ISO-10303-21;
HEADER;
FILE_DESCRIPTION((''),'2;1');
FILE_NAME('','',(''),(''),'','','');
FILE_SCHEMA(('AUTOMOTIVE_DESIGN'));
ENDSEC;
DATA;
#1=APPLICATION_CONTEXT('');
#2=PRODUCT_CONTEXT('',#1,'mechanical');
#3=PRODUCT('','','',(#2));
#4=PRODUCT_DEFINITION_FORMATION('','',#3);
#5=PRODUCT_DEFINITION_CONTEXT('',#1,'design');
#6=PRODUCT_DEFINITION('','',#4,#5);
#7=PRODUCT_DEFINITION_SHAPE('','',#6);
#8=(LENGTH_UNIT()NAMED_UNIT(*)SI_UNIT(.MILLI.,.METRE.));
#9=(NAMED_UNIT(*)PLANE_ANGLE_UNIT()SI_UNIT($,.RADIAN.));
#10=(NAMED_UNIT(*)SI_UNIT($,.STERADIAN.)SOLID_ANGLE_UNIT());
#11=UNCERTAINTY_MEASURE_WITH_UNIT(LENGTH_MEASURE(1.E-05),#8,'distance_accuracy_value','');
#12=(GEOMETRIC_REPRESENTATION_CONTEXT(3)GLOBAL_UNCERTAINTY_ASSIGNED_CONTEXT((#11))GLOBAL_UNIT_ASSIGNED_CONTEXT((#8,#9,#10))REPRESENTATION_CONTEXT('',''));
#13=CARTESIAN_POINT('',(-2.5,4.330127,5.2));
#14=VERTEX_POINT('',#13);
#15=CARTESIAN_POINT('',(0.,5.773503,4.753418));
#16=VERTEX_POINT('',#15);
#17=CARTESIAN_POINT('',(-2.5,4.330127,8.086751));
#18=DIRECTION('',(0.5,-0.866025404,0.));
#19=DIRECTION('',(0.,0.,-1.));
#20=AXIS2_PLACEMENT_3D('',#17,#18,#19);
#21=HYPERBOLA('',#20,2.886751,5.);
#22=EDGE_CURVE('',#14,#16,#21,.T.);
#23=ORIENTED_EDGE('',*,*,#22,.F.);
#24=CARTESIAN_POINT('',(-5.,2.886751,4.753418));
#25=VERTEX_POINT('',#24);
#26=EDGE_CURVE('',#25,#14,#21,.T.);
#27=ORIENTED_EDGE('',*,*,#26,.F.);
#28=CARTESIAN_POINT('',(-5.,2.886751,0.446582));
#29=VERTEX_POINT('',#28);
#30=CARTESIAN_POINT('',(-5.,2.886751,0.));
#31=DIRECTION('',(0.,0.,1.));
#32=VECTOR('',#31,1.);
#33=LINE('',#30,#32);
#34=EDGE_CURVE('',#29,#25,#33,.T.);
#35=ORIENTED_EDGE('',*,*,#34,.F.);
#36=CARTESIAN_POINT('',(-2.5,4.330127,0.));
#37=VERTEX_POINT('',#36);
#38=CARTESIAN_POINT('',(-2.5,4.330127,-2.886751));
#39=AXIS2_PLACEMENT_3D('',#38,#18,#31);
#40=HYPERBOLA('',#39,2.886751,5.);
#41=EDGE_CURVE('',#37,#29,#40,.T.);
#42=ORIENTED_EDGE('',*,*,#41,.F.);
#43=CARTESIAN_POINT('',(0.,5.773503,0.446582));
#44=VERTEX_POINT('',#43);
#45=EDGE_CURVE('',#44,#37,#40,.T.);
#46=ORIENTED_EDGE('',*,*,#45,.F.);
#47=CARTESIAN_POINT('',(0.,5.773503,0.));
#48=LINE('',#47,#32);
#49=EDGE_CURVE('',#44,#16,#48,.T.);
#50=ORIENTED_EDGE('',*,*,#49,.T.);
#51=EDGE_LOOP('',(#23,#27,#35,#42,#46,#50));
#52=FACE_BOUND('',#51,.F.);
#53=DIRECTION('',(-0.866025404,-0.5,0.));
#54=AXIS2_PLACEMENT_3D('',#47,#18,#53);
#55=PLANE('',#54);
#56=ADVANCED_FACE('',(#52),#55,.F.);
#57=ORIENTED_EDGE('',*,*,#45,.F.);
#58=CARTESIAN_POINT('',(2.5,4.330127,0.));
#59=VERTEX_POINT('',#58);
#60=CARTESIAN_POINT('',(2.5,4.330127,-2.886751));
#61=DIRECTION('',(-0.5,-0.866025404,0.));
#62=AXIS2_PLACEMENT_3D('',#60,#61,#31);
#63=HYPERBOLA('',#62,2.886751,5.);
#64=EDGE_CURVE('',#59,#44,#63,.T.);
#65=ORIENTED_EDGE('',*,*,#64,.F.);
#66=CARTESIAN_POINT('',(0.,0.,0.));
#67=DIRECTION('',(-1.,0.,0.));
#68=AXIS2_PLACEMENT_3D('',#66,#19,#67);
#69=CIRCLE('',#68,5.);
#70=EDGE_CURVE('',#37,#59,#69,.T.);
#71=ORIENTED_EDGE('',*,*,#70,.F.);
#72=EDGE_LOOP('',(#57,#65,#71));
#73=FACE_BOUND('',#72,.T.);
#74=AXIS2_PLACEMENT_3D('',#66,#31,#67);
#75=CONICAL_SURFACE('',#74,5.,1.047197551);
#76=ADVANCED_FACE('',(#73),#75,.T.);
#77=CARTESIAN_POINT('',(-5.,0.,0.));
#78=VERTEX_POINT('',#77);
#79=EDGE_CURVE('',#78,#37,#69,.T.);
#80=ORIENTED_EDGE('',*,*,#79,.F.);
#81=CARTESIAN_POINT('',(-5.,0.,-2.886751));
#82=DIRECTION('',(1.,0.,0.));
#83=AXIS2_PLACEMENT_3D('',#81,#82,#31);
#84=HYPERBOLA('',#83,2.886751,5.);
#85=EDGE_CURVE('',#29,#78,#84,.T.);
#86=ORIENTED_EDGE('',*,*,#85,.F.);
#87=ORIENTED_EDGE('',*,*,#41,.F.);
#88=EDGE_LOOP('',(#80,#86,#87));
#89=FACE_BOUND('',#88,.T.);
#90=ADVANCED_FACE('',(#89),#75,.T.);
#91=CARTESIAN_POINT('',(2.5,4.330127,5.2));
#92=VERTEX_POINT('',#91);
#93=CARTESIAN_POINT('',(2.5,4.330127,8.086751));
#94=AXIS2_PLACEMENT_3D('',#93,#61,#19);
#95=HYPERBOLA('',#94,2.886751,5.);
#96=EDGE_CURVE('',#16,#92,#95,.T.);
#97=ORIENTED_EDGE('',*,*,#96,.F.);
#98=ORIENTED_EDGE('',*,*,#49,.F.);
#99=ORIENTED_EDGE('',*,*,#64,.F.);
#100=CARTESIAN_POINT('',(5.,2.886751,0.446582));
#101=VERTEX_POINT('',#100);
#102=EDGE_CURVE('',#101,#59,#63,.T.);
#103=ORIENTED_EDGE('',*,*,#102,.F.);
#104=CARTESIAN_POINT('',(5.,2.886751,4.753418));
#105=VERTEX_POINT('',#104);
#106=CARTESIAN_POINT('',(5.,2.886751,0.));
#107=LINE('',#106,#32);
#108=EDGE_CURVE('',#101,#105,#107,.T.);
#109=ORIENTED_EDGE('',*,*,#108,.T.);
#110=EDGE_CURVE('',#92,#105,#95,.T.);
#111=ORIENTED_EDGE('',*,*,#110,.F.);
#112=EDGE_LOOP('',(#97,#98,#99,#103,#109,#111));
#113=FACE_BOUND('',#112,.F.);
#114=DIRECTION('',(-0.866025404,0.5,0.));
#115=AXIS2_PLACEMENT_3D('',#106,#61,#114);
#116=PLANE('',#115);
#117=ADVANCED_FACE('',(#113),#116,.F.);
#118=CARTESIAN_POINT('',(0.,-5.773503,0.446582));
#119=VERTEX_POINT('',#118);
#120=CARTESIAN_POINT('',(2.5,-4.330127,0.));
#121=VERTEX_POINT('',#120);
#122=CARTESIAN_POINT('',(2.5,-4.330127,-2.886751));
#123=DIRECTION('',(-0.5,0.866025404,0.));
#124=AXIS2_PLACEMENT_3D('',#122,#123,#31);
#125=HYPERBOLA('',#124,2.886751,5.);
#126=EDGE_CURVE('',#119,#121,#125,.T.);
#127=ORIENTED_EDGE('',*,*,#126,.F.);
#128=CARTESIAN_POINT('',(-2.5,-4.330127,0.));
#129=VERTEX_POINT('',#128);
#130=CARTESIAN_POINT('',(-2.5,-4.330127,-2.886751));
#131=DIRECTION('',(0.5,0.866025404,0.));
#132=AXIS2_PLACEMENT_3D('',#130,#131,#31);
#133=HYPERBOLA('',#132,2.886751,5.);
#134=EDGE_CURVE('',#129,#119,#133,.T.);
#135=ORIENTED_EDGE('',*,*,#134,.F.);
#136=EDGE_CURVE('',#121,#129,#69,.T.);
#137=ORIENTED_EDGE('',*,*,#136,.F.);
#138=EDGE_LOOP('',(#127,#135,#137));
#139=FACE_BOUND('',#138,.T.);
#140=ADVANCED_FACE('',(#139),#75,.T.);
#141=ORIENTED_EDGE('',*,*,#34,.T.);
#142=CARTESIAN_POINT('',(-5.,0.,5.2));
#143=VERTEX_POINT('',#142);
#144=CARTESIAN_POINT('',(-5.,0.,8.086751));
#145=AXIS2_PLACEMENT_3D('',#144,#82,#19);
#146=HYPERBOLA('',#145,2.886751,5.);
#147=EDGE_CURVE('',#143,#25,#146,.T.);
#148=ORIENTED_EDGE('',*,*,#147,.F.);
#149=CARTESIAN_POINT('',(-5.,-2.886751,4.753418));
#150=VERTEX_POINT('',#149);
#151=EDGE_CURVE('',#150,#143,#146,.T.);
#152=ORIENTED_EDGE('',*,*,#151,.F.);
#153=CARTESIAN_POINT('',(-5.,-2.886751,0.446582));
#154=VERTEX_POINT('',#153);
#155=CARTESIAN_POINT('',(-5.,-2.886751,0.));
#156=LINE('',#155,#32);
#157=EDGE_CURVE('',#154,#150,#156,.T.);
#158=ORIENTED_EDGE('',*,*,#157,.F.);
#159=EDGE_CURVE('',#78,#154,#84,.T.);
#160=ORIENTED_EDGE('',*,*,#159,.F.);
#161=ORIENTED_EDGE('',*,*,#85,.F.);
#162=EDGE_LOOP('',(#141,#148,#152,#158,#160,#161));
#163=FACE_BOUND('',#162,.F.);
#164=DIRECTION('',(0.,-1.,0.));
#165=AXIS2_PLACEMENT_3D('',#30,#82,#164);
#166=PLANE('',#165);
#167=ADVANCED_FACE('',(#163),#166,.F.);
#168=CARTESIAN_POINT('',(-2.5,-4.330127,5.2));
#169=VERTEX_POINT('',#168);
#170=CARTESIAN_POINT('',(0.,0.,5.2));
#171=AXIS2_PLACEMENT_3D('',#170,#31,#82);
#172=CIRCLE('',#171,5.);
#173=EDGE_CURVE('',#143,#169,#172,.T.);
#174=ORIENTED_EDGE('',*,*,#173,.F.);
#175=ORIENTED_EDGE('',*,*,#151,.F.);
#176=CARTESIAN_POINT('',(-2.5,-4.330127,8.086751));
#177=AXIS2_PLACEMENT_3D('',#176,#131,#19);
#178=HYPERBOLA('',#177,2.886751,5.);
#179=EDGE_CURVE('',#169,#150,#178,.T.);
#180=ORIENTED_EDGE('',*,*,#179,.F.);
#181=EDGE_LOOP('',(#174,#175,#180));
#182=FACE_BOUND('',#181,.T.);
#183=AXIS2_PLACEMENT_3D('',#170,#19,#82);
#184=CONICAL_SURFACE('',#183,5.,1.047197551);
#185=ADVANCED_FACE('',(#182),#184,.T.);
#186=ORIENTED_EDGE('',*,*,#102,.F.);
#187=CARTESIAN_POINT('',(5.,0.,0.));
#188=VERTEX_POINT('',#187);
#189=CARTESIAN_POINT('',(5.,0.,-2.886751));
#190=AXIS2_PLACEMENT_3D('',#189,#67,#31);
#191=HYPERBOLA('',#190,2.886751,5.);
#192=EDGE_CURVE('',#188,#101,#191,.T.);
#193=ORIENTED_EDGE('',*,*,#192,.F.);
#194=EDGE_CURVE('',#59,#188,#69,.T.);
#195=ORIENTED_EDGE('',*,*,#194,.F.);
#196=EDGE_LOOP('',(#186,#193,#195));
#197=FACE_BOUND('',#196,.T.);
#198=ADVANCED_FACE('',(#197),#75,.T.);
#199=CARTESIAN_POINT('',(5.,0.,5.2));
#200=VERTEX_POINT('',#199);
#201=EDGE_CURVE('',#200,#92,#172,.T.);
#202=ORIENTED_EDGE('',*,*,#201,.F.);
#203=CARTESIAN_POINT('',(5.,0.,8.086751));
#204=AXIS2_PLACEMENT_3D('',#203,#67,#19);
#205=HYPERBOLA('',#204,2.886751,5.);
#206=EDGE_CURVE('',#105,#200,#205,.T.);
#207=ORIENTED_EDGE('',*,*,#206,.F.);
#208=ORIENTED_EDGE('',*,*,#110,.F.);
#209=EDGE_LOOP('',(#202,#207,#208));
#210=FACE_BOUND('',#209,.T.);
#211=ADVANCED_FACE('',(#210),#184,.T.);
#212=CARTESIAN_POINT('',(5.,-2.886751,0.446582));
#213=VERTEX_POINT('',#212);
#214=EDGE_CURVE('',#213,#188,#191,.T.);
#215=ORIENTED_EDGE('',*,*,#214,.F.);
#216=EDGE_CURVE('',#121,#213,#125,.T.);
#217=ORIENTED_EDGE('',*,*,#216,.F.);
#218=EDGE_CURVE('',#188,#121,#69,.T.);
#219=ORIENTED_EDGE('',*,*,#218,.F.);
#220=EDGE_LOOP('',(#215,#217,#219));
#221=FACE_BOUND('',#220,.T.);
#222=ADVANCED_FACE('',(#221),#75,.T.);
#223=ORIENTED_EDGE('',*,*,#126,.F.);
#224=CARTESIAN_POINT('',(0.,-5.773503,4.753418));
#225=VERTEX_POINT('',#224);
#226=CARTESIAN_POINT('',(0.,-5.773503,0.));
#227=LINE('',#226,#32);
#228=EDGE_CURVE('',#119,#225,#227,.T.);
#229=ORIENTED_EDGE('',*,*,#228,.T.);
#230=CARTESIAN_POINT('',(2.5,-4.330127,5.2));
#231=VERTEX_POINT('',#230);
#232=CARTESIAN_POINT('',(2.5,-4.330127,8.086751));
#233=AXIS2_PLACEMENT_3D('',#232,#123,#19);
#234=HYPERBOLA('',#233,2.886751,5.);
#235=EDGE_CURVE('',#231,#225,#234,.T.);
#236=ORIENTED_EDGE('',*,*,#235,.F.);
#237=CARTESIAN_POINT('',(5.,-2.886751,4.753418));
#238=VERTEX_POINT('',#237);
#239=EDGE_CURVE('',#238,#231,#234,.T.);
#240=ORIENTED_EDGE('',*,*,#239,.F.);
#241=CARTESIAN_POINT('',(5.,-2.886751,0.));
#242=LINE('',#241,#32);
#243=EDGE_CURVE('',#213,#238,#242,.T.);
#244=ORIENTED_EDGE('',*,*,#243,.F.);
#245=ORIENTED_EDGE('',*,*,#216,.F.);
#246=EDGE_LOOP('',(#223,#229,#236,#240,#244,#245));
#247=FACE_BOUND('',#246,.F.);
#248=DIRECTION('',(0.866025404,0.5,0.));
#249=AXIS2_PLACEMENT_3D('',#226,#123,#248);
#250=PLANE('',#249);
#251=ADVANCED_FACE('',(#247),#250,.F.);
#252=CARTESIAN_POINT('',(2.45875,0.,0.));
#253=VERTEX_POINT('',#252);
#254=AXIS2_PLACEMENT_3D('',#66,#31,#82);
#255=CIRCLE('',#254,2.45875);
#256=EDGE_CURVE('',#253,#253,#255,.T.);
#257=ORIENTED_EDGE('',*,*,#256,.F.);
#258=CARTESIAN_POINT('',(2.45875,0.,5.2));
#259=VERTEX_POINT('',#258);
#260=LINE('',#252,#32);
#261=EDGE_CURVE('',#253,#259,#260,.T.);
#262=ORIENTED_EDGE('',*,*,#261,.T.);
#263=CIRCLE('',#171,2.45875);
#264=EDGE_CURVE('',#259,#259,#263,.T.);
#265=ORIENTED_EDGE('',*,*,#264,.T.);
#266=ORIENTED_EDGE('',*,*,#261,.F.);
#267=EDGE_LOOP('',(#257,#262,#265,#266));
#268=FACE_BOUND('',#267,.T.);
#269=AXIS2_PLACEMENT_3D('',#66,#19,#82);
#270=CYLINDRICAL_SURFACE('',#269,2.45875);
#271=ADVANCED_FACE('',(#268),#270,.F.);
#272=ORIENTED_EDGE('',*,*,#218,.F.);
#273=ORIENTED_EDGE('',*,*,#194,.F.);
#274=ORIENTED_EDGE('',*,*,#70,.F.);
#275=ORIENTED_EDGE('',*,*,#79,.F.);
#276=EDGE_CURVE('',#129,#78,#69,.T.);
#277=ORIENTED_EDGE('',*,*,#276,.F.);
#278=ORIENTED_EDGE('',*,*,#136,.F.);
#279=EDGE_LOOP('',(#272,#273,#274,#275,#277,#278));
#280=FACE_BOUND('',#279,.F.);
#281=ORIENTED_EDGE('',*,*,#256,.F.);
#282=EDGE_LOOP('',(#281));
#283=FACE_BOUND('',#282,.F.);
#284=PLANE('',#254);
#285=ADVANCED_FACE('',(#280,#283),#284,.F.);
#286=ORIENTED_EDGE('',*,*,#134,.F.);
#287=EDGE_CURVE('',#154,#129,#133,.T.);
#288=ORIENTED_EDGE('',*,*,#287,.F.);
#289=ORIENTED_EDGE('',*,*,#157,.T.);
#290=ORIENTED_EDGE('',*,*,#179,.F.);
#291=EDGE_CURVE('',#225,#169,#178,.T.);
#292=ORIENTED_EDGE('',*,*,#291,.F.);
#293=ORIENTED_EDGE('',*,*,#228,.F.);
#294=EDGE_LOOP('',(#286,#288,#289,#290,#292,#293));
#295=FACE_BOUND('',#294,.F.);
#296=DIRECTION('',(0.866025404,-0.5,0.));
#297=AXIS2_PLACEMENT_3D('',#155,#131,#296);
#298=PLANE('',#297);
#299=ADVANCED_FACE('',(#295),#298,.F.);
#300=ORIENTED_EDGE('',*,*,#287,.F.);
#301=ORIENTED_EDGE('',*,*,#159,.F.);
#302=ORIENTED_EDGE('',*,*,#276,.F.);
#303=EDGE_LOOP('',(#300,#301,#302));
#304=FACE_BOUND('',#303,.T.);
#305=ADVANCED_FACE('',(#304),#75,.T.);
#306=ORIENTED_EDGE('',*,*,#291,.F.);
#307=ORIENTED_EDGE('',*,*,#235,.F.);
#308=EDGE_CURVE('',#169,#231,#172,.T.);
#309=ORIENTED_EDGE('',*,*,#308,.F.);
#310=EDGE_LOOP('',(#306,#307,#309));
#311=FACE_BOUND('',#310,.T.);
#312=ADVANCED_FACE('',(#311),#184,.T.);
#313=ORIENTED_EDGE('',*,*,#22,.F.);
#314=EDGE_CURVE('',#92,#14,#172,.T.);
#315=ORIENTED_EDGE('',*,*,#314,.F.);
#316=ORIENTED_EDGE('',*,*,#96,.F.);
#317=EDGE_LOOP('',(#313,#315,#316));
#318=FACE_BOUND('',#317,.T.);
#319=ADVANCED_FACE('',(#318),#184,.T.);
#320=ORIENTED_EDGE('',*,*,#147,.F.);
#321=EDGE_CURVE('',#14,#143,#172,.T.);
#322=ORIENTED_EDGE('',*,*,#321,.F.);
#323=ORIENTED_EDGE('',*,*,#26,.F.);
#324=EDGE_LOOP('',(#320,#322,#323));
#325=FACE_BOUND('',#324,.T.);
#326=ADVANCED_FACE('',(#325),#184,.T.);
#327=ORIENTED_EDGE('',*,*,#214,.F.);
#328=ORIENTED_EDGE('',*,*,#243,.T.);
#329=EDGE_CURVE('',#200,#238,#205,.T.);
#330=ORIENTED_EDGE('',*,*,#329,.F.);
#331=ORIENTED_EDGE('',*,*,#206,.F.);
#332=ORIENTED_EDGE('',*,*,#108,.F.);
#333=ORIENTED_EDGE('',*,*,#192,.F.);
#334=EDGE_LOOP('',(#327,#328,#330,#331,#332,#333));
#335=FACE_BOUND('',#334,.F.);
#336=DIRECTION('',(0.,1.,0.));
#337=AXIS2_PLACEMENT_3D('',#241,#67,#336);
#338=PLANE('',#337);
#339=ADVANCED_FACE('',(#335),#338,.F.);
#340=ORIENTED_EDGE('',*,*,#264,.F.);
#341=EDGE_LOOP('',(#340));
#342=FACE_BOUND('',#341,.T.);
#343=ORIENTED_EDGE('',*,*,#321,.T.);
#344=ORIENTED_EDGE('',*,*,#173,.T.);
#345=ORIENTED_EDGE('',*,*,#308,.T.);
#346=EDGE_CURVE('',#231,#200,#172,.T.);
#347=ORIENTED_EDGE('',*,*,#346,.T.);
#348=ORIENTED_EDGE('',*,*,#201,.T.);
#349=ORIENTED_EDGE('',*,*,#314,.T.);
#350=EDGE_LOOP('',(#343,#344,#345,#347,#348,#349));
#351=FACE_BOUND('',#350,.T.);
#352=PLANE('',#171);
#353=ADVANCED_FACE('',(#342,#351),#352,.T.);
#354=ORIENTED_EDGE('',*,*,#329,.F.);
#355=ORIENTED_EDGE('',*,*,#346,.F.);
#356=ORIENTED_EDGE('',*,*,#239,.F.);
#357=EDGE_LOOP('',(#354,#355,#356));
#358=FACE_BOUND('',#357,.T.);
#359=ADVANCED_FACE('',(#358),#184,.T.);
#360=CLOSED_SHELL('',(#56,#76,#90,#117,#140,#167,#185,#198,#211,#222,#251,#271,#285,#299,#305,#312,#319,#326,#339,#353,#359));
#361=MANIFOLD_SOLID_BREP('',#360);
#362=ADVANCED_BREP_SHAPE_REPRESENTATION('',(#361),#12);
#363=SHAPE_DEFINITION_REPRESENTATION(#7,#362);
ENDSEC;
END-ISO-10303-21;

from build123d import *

# Parameters (mm, degrees)
SKETCH_1_R          = 2.45875
EXTRUDE_690_DEPTH   = 5.2
SKETCH_2_OUTSIDE_W  = 50.698
SKETCH_2_OUTSIDE_H  = 52.246
SKETCH_2_OUTSIDE_R  = 5
CUT_EXTRUDE_1_DEPTH = 10.239769117
CUT_EXTRUDE_1_DRAFT = -60
SKETCH_3_OUTSIDE_W  = 50.698
SKETCH_3_OUTSIDE_H  = 52.246
SKETCH_3_OUTSIDE_R  = 5
CUT_EXTRUDE_2_DEPTH = 10.239769117
CUT_EXTRUDE_2_DRAFT = -60


with BuildPart() as part:
    # 草图1 → Extrude 690 (new body)
    with BuildSketch(Plane.XY):
        Polygon((0, 5.773502692), (-5, 2.886751346), (-5, -2.886751346), (0, -5.773502692), (5, -2.886751346), (5, 2.886751346), align=None)
        Circle(SKETCH_1_R, mode=Mode.SUBTRACT)
    extrude(amount=EXTRUDE_690_DEPTH)


with BuildPart() as cut_extrude_1_tool:
    # 草图2 outside → 切除-拉伸1 (with draft: the straight prism first)
    with BuildSketch(Plane(origin=(0, 0, 0), x_dir=(-1, 0, 0), z_dir=(0, 0, -1))):
        Rectangle(SKETCH_2_OUTSIDE_W, SKETCH_2_OUTSIDE_H)
        Circle(SKETCH_2_OUTSIDE_R, mode=Mode.SUBTRACT)
    extrude(amount=-CUT_EXTRUDE_1_DEPTH)
    # 切除-拉伸1: the draft: its side faces are tilted about the plane it starts from
    cut_extrude_1_sides = [cut_extrude_1_tool.faces().sort_by_distance(p)[0] for p in [
        (0, -26.123, 5.119884558),
        (-25.349, 0, 5.119884558),
        (0, 26.123, 5.119884558),
        (25.349, 0, 5.119884558),
        (5, 0, 5.119884558),
    ]]
    draft(cut_extrude_1_sides, Plane(origin=(0, 0, 0), x_dir=(-1, 0, 0), z_dir=(0, 0, -1)), CUT_EXTRUDE_1_DRAFT)


with BuildPart() as part_1:
    add(part.part)

    # 切除-拉伸1: cut by cut_extrude_1_tool
    add(cut_extrude_1_tool.part, mode=Mode.SUBTRACT)


with BuildPart() as cut_extrude_2_tool:
    # 草图3 outside → 切除-拉伸2 (with draft: the straight prism first)
    with BuildSketch(Plane.XY.offset(5.2)):
        Rectangle(SKETCH_3_OUTSIDE_W, SKETCH_3_OUTSIDE_H)
        Circle(SKETCH_3_OUTSIDE_R, mode=Mode.SUBTRACT)
    extrude(amount=-CUT_EXTRUDE_2_DEPTH)
    # 切除-拉伸2: the draft: its side faces are tilted about the plane it starts from
    cut_extrude_2_sides = [cut_extrude_2_tool.faces().sort_by_distance(p)[0] for p in [
        (0, -26.123, 0.080115442),
        (25.349, 0, 0.080115442),
        (0, 26.123, 0.080115442),
        (-25.349, 0, 0.080115442),
        (-5, 0, 0.080115442),
    ]]
    draft(cut_extrude_2_sides, Plane.XY.offset(5.2), CUT_EXTRUDE_2_DRAFT)


with BuildPart() as part_2:
    add(part_1.part)

    # 切除-拉伸2: cut by cut_extrude_2_tool
    add(cut_extrude_2_tool.part, mode=Mode.SUBTRACT)


solid = part_2.part
